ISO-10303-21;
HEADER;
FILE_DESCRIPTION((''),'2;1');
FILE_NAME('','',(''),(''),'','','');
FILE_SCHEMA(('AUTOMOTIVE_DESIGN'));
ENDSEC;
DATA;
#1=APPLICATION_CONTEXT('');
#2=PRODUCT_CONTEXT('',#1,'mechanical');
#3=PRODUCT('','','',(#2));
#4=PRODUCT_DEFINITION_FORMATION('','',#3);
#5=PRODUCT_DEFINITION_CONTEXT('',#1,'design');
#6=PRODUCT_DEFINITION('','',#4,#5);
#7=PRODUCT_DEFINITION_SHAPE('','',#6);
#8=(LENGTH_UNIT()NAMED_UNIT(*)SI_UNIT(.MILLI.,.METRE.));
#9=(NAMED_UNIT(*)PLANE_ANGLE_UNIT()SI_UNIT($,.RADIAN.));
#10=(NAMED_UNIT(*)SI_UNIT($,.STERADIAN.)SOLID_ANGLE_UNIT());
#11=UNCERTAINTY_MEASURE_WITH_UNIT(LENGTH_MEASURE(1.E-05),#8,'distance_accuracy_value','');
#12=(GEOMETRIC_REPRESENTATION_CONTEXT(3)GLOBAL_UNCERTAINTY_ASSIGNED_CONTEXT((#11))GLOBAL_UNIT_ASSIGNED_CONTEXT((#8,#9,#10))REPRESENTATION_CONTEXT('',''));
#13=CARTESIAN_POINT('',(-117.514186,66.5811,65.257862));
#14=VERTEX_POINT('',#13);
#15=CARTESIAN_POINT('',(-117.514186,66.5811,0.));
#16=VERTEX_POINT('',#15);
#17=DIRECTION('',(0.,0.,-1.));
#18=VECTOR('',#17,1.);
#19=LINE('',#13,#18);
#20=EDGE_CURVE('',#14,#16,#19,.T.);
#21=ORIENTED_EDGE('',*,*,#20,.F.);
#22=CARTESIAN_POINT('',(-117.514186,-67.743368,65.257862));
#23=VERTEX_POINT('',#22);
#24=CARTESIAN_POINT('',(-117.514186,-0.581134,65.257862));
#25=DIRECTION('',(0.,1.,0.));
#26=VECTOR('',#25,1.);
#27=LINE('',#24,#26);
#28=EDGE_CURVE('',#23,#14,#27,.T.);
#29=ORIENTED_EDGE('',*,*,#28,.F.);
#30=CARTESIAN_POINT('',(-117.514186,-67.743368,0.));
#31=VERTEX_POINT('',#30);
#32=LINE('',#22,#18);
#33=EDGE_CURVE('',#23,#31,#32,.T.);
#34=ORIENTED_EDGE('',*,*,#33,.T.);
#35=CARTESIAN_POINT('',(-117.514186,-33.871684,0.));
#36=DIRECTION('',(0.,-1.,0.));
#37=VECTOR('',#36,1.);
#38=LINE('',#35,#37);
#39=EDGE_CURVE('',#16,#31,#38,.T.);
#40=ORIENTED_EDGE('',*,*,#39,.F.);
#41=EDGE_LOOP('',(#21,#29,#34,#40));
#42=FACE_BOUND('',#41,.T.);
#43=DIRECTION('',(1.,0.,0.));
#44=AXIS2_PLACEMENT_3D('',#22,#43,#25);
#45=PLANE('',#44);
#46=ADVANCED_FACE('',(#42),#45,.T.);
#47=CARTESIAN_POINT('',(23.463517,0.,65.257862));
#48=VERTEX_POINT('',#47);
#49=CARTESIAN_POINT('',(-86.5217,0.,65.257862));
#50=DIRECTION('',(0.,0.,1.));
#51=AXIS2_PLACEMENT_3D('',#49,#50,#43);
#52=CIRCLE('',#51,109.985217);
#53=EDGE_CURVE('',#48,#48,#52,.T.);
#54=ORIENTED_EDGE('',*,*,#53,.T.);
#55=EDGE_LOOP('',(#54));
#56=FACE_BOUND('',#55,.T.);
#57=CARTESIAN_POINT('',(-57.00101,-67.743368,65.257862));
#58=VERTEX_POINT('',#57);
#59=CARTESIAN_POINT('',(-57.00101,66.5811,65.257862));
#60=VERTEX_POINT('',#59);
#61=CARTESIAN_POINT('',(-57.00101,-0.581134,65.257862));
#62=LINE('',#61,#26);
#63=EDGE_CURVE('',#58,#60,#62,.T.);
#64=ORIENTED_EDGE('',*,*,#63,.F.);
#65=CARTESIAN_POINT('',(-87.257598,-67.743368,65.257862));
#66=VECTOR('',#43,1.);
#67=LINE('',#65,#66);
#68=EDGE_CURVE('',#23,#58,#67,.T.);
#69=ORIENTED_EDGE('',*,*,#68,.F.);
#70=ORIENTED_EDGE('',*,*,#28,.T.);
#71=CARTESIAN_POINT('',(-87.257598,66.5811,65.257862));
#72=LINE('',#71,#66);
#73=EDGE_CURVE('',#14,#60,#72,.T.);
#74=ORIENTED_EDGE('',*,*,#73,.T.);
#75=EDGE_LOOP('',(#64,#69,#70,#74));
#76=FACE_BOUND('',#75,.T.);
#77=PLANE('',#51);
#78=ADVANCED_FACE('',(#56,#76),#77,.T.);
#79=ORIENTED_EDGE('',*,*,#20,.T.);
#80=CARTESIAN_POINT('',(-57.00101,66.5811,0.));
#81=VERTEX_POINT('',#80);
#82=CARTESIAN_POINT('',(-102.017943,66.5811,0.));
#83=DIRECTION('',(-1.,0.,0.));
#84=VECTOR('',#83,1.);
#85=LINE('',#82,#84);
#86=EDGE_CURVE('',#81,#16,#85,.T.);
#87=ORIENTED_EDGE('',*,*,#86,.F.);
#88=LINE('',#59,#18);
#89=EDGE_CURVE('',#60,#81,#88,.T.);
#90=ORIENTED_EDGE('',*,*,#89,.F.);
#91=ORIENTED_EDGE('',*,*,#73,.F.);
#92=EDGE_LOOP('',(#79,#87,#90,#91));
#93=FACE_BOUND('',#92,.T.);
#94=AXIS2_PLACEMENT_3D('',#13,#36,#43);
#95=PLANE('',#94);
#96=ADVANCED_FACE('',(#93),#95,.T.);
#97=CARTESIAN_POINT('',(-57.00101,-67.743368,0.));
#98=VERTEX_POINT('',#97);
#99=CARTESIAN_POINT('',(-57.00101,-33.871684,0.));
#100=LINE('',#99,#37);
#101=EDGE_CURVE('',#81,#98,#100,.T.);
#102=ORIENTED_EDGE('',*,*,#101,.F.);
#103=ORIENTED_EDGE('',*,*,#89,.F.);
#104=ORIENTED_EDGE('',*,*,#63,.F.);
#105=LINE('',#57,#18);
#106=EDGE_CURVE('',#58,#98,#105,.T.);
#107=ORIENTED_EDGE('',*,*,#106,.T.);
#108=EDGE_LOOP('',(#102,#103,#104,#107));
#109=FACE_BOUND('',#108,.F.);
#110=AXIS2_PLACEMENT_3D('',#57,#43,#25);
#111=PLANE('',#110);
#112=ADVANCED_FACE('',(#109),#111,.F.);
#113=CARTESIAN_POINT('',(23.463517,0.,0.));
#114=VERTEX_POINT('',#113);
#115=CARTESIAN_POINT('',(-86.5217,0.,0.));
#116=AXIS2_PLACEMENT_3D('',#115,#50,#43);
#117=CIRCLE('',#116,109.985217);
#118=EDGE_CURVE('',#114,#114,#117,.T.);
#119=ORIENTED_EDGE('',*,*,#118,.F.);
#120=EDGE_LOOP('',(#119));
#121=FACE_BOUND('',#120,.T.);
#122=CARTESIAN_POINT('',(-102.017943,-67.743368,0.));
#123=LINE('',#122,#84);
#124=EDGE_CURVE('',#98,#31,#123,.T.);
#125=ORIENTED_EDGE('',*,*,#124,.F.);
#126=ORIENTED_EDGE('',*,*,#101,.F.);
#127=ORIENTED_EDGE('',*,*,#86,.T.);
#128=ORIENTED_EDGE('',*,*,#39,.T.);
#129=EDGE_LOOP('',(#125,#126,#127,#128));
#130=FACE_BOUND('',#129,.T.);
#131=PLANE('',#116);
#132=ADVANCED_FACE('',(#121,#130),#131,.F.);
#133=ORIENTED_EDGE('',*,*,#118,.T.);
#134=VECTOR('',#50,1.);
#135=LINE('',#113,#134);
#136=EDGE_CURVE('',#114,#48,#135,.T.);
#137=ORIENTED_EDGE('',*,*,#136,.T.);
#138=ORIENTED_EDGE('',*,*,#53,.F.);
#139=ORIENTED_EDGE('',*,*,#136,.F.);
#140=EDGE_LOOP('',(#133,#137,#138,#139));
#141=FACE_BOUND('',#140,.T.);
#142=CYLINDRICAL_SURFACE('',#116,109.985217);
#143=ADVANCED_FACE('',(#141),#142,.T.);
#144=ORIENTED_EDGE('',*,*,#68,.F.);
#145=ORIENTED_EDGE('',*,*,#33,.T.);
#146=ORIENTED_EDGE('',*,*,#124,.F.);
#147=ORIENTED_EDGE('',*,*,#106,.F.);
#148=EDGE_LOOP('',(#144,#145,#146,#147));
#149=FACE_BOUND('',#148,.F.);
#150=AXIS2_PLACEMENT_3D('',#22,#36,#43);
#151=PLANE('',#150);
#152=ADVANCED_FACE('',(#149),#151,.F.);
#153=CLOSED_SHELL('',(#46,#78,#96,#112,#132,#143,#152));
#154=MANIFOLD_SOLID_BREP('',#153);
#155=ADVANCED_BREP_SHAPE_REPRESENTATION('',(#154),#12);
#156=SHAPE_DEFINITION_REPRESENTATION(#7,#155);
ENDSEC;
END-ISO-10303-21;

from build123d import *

# Parameters (mm, degrees)
F3_D     = 6.35
F4_W     = 60.513176
F4_H     = 134.324468
F4_R     = 3.175
F5_DEPTH = 65.258862


with BuildPart() as f1:
    # F0 (on Front) → F1 (revolve)
    with BuildSketch(Plane.XZ):
        Polygon((-7.151507, 0), (23.463517, 0), (23.463517, 65.257862), (-86.5217, 65.257862), (-86.5217, 0), align=None)
    revolve(axis=Axis((-86.5217, 0, 32.628931), (0, 0, 1)))

    # F3 (through all)
    with Locations(Plane(origin=(0, 0, 0), x_dir=(1, 0, 0), z_dir=(0, 0, -1))):
        with Locations((-90.931758, 0)):
            Hole(F3_D / 2)

    # F4 (on face) → F5 (cut, through all)
    with BuildSketch(Plane.XY.offset(65.257862)):
        with Locations((-87.257598, -0.581134)):
            Rectangle(F4_W, F4_H)
        with Locations((-90.931758, 0)):
            Circle(F4_R, mode=Mode.SUBTRACT)
    extrude(amount=-F5_DEPTH, mode=Mode.SUBTRACT)


solid = f1.part
